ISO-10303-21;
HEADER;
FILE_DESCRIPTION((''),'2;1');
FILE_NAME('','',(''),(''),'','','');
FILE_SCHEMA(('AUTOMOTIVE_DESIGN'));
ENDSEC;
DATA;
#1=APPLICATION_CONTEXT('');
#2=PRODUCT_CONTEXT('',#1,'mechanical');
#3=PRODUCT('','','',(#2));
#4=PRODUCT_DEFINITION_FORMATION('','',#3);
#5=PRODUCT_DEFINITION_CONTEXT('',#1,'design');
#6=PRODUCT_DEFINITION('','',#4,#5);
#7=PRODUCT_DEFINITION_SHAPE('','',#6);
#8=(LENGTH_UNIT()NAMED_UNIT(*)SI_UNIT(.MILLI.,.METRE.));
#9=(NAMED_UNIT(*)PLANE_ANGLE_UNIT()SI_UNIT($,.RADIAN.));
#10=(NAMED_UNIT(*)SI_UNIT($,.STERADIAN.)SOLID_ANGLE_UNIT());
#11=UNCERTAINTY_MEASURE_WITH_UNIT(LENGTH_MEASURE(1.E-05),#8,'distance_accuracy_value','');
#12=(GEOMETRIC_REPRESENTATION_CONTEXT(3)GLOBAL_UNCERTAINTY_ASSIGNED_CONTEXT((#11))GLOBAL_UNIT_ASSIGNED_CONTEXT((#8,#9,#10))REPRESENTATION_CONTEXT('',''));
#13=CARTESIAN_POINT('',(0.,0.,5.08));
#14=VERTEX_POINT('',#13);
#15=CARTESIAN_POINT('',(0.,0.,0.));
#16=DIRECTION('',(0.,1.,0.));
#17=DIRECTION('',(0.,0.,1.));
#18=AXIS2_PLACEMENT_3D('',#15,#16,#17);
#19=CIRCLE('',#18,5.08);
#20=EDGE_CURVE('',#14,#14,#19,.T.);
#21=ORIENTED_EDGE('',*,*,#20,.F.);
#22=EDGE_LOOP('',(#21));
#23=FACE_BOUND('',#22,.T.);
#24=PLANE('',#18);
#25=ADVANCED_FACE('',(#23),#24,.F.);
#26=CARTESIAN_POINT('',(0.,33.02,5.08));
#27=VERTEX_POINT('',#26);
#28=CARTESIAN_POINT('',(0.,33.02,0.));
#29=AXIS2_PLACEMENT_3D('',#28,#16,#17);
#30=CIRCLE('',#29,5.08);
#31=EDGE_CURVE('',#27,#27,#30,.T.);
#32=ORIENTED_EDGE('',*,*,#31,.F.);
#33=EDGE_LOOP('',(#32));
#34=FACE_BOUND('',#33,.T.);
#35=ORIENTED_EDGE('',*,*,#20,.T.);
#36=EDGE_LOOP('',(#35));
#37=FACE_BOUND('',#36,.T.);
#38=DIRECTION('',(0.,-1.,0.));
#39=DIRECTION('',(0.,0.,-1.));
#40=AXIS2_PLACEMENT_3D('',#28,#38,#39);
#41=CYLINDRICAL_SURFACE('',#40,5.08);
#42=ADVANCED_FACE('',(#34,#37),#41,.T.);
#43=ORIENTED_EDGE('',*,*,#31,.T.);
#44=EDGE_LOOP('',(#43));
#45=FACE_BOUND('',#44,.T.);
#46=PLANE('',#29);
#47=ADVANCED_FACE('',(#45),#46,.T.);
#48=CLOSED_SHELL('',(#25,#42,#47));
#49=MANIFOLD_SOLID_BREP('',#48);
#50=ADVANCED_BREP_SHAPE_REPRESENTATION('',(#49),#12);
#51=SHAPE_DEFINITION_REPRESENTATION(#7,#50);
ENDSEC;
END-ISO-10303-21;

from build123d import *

# Parameters (mm, degrees)
SKETCH1_R           = 5.08
BOSS_EXTRUDE1_DEPTH = 33.02


with BuildPart() as part:
    # Sketch1 → Boss-Extrude1 (new body)
    with BuildSketch(Plane(origin=(0, 0, 0), x_dir=(1, 0, 0), z_dir=(0, 1, 0))):
        with Locations(Location((0, 0, 0), (0, 0, 270))):
            Circle(SKETCH1_R)
    extrude(amount=BOSS_EXTRUDE1_DEPTH)


solid = part.part
